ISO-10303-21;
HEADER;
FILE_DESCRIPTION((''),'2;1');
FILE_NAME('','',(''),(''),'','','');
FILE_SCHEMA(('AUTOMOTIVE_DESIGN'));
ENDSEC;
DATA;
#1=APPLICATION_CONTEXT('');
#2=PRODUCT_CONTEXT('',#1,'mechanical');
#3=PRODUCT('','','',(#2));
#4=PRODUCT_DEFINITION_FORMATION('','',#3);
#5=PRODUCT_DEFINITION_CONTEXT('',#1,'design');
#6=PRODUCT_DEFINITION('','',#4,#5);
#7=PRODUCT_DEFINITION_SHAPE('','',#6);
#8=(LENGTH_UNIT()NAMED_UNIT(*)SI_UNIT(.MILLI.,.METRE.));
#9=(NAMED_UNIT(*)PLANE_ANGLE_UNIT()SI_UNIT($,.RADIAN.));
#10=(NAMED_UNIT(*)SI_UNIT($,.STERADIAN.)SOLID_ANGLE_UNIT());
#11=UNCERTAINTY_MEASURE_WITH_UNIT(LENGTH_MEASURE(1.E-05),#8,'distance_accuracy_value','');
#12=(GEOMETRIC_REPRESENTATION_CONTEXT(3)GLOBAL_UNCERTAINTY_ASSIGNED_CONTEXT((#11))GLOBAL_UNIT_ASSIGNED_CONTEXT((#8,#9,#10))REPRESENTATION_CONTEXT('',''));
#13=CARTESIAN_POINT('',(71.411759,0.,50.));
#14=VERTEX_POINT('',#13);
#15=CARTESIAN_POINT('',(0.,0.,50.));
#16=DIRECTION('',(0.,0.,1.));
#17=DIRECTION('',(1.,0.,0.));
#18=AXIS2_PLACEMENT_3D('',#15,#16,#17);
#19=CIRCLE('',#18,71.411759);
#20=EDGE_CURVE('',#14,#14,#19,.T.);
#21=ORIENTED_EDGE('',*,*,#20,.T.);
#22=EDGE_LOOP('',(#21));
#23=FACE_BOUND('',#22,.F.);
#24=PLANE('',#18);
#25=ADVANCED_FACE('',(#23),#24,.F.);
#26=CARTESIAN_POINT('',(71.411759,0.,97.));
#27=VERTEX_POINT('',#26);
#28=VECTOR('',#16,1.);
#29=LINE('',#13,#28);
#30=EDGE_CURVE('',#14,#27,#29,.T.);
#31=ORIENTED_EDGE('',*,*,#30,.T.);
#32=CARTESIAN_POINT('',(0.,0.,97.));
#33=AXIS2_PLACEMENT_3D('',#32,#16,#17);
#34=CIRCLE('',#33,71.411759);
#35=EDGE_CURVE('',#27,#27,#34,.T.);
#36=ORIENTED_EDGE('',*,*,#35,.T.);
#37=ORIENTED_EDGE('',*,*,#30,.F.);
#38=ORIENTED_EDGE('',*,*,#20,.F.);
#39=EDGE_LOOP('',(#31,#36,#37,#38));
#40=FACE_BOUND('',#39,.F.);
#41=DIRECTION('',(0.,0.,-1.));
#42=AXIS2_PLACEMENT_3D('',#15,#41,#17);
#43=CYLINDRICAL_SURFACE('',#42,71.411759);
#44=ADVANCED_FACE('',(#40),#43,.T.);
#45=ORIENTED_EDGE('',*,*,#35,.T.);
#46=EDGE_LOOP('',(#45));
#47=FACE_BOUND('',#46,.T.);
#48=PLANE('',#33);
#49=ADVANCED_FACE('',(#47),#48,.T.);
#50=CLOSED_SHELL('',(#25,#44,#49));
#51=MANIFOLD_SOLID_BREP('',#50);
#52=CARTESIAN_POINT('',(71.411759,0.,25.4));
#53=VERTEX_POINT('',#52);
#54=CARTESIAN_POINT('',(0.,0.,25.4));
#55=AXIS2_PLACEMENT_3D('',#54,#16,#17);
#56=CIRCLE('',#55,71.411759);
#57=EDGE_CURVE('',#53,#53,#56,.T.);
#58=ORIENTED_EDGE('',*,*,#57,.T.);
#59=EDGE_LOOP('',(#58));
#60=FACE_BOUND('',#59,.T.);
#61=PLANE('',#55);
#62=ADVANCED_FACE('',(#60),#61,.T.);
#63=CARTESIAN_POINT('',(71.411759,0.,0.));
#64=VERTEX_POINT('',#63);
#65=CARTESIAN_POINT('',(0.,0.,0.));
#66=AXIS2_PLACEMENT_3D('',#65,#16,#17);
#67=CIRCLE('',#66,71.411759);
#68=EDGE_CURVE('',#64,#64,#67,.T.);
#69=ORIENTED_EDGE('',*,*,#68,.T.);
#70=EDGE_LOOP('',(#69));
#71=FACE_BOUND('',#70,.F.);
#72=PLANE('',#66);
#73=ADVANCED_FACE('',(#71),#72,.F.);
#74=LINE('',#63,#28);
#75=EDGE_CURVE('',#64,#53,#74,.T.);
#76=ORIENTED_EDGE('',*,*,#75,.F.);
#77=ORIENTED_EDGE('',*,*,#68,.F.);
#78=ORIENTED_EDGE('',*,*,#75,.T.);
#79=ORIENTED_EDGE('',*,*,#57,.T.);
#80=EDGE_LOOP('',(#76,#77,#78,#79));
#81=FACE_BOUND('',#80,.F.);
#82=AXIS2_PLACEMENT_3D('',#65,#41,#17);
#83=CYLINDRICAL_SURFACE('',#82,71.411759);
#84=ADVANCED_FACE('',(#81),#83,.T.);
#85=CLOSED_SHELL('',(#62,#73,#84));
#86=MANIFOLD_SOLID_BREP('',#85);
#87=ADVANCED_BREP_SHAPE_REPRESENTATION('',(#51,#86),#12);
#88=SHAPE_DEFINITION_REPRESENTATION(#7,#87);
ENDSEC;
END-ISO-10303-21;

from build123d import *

# Parameters (mm, degrees)
F0_R     = 71.411759
F1_DEPTH = 25.4
F3_R     = 71.411759
F4_DEPTH = 47


with BuildPart() as f1:
    # F0 (on Top) → F1 (new body)
    with BuildSketch(Plane.XY):
        Circle(F0_R)
    extrude(amount=F1_DEPTH)


with BuildPart() as f4:
    # F3 (on offset) → F4 (new body)
    with BuildSketch(Plane.XY.offset(50)):
        Circle(F3_R)
    extrude(amount=F4_DEPTH)


solid = Compound([f1.part, f4.part])
